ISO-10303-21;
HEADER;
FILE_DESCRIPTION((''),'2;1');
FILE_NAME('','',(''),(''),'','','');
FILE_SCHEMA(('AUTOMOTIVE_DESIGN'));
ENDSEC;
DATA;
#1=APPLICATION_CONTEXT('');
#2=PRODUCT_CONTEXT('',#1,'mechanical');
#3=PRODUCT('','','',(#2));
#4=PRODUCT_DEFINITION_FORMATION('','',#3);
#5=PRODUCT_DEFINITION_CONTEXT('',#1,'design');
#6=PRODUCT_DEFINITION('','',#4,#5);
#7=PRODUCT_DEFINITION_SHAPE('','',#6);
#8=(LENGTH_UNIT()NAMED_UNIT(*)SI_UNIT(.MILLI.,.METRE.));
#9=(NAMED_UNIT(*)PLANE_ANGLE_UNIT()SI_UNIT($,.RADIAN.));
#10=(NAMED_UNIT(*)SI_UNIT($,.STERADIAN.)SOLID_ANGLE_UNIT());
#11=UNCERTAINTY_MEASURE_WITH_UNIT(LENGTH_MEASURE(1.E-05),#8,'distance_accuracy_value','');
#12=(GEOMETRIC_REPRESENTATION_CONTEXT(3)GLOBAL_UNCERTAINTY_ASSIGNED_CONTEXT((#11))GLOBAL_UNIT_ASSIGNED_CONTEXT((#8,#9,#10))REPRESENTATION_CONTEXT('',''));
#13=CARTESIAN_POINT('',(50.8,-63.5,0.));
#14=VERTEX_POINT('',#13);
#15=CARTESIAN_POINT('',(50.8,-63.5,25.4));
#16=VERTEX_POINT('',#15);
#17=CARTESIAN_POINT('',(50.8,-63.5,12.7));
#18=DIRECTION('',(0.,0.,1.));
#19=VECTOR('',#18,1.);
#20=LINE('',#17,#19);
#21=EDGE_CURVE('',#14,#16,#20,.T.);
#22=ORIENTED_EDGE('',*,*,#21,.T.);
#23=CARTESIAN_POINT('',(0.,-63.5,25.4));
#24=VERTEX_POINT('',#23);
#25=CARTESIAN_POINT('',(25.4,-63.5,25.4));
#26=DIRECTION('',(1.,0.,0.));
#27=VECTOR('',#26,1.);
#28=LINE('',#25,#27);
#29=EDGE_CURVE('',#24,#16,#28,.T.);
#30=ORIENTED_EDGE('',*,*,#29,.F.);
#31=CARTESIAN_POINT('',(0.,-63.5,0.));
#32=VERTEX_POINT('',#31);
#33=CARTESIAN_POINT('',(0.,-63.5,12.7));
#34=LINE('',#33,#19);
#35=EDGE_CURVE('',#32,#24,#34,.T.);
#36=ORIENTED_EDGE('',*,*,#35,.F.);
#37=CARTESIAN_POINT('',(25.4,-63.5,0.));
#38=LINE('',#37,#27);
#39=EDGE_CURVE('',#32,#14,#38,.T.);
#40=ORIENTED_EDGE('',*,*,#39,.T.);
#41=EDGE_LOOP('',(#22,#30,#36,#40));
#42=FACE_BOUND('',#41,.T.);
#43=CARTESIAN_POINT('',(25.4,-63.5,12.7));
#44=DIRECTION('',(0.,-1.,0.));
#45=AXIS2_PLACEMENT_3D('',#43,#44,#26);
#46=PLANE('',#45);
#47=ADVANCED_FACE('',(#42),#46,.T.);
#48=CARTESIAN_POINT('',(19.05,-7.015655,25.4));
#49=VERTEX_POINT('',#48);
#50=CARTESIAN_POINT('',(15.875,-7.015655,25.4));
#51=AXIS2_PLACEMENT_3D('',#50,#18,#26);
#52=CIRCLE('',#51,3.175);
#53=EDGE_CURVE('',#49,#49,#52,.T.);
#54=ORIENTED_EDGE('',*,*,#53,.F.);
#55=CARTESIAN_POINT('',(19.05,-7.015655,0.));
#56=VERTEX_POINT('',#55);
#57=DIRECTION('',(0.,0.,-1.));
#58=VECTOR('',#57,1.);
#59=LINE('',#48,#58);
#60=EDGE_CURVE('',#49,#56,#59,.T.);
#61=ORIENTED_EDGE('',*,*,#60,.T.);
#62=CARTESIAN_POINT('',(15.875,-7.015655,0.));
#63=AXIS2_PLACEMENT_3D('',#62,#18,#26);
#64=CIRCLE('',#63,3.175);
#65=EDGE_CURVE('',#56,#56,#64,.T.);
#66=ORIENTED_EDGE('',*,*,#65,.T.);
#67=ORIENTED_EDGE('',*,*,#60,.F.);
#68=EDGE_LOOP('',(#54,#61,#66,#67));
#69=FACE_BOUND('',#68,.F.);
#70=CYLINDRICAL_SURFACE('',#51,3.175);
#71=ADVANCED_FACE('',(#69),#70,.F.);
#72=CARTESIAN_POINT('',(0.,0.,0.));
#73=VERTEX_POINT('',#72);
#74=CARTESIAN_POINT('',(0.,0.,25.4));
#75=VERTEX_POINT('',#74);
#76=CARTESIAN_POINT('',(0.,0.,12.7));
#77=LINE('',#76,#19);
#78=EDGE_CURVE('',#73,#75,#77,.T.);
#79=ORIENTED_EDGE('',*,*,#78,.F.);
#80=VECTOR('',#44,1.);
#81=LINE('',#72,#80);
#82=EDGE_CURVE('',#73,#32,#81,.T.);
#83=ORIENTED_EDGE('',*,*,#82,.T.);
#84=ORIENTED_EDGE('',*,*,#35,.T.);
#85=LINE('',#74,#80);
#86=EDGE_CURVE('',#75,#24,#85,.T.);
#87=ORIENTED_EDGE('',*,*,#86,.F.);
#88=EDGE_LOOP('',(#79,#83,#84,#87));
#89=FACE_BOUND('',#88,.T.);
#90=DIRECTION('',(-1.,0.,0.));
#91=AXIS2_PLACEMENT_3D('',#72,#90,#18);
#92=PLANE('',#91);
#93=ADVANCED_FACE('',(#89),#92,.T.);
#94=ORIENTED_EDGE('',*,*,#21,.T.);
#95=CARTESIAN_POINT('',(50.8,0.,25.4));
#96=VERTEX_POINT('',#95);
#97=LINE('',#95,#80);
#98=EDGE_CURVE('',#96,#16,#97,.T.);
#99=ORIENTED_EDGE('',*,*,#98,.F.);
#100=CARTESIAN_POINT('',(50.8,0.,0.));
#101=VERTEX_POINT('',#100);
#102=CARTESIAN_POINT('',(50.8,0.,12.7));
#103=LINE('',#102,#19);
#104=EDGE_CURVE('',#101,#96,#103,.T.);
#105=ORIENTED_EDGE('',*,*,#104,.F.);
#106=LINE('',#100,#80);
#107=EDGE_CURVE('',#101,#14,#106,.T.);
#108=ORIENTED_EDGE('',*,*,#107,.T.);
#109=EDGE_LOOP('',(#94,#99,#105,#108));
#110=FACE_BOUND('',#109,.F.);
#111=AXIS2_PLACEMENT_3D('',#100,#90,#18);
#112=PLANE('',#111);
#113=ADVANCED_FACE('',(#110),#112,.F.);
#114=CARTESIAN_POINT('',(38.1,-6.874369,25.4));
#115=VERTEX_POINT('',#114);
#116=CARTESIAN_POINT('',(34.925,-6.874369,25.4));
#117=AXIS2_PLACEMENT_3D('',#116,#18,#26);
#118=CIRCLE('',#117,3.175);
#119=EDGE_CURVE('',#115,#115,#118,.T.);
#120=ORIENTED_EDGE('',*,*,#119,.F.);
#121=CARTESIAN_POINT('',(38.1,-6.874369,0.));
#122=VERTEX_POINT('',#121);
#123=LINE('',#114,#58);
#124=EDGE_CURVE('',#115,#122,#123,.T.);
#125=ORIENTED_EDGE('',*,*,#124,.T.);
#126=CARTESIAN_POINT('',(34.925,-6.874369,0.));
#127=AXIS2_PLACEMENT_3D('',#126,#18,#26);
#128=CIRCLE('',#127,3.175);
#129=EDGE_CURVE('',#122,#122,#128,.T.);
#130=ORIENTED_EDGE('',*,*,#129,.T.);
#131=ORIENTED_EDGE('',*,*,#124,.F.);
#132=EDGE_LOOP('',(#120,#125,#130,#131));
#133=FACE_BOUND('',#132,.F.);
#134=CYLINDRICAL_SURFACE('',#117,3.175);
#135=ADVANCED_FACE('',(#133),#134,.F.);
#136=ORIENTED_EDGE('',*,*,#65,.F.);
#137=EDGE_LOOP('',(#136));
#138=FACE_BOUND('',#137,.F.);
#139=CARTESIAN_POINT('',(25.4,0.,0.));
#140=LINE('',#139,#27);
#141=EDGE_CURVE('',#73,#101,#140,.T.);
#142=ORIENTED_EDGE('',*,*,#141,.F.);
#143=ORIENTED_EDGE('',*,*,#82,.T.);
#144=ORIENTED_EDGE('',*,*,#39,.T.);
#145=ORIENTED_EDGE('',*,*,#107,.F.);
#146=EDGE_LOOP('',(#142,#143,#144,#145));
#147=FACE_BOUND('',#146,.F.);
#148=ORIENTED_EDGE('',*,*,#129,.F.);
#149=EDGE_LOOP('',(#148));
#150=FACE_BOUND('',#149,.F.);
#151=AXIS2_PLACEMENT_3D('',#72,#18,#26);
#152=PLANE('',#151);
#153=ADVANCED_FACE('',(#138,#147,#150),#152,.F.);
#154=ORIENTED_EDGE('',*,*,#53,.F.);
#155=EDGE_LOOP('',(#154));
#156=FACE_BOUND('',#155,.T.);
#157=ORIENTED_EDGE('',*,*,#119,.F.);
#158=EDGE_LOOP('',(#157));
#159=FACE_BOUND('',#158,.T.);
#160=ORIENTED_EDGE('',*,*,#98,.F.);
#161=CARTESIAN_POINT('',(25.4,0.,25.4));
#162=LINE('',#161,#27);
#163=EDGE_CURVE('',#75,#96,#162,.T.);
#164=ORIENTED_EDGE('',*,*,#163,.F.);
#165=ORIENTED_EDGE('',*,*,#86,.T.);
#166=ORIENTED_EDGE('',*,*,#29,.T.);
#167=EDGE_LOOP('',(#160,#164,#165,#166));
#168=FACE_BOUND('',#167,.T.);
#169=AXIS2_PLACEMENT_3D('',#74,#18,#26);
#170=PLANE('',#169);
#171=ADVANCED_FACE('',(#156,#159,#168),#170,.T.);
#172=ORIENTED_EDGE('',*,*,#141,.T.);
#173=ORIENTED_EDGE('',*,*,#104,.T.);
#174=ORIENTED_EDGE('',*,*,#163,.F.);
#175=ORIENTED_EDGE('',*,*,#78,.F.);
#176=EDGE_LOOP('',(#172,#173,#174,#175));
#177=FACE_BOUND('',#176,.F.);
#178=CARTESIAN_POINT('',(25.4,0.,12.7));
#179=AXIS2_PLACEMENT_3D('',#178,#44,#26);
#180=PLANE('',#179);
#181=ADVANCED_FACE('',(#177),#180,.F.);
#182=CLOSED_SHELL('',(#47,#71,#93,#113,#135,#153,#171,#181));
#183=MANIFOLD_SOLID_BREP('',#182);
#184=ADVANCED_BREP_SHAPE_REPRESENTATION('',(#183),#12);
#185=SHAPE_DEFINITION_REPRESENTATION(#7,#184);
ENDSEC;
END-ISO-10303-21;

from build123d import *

# Parameters (mm, degrees)
F0_W     = 50.8
F0_H     = 25.4
F1_DEPTH = 63.5
F2_R     = 3.175
F3_DEPTH = 25.4


with BuildPart() as f1:
    # F0 (on Front) → F1 (new body)
    with BuildSketch(Plane.XZ):
        with Locations((25.4, 12.7)):
            Rectangle(F0_W, F0_H)
    extrude(amount=F1_DEPTH)

    # F2 (on face) → F3 (cut)
    with BuildSketch(Plane.XY.offset(25.4)):
        with Locations((15.875, -7.015655)):
            Circle(F2_R)
        with Locations((34.925, -6.874369)):
            Circle(F2_R)
    extrude(amount=-F3_DEPTH, mode=Mode.SUBTRACT)


solid = f1.part
